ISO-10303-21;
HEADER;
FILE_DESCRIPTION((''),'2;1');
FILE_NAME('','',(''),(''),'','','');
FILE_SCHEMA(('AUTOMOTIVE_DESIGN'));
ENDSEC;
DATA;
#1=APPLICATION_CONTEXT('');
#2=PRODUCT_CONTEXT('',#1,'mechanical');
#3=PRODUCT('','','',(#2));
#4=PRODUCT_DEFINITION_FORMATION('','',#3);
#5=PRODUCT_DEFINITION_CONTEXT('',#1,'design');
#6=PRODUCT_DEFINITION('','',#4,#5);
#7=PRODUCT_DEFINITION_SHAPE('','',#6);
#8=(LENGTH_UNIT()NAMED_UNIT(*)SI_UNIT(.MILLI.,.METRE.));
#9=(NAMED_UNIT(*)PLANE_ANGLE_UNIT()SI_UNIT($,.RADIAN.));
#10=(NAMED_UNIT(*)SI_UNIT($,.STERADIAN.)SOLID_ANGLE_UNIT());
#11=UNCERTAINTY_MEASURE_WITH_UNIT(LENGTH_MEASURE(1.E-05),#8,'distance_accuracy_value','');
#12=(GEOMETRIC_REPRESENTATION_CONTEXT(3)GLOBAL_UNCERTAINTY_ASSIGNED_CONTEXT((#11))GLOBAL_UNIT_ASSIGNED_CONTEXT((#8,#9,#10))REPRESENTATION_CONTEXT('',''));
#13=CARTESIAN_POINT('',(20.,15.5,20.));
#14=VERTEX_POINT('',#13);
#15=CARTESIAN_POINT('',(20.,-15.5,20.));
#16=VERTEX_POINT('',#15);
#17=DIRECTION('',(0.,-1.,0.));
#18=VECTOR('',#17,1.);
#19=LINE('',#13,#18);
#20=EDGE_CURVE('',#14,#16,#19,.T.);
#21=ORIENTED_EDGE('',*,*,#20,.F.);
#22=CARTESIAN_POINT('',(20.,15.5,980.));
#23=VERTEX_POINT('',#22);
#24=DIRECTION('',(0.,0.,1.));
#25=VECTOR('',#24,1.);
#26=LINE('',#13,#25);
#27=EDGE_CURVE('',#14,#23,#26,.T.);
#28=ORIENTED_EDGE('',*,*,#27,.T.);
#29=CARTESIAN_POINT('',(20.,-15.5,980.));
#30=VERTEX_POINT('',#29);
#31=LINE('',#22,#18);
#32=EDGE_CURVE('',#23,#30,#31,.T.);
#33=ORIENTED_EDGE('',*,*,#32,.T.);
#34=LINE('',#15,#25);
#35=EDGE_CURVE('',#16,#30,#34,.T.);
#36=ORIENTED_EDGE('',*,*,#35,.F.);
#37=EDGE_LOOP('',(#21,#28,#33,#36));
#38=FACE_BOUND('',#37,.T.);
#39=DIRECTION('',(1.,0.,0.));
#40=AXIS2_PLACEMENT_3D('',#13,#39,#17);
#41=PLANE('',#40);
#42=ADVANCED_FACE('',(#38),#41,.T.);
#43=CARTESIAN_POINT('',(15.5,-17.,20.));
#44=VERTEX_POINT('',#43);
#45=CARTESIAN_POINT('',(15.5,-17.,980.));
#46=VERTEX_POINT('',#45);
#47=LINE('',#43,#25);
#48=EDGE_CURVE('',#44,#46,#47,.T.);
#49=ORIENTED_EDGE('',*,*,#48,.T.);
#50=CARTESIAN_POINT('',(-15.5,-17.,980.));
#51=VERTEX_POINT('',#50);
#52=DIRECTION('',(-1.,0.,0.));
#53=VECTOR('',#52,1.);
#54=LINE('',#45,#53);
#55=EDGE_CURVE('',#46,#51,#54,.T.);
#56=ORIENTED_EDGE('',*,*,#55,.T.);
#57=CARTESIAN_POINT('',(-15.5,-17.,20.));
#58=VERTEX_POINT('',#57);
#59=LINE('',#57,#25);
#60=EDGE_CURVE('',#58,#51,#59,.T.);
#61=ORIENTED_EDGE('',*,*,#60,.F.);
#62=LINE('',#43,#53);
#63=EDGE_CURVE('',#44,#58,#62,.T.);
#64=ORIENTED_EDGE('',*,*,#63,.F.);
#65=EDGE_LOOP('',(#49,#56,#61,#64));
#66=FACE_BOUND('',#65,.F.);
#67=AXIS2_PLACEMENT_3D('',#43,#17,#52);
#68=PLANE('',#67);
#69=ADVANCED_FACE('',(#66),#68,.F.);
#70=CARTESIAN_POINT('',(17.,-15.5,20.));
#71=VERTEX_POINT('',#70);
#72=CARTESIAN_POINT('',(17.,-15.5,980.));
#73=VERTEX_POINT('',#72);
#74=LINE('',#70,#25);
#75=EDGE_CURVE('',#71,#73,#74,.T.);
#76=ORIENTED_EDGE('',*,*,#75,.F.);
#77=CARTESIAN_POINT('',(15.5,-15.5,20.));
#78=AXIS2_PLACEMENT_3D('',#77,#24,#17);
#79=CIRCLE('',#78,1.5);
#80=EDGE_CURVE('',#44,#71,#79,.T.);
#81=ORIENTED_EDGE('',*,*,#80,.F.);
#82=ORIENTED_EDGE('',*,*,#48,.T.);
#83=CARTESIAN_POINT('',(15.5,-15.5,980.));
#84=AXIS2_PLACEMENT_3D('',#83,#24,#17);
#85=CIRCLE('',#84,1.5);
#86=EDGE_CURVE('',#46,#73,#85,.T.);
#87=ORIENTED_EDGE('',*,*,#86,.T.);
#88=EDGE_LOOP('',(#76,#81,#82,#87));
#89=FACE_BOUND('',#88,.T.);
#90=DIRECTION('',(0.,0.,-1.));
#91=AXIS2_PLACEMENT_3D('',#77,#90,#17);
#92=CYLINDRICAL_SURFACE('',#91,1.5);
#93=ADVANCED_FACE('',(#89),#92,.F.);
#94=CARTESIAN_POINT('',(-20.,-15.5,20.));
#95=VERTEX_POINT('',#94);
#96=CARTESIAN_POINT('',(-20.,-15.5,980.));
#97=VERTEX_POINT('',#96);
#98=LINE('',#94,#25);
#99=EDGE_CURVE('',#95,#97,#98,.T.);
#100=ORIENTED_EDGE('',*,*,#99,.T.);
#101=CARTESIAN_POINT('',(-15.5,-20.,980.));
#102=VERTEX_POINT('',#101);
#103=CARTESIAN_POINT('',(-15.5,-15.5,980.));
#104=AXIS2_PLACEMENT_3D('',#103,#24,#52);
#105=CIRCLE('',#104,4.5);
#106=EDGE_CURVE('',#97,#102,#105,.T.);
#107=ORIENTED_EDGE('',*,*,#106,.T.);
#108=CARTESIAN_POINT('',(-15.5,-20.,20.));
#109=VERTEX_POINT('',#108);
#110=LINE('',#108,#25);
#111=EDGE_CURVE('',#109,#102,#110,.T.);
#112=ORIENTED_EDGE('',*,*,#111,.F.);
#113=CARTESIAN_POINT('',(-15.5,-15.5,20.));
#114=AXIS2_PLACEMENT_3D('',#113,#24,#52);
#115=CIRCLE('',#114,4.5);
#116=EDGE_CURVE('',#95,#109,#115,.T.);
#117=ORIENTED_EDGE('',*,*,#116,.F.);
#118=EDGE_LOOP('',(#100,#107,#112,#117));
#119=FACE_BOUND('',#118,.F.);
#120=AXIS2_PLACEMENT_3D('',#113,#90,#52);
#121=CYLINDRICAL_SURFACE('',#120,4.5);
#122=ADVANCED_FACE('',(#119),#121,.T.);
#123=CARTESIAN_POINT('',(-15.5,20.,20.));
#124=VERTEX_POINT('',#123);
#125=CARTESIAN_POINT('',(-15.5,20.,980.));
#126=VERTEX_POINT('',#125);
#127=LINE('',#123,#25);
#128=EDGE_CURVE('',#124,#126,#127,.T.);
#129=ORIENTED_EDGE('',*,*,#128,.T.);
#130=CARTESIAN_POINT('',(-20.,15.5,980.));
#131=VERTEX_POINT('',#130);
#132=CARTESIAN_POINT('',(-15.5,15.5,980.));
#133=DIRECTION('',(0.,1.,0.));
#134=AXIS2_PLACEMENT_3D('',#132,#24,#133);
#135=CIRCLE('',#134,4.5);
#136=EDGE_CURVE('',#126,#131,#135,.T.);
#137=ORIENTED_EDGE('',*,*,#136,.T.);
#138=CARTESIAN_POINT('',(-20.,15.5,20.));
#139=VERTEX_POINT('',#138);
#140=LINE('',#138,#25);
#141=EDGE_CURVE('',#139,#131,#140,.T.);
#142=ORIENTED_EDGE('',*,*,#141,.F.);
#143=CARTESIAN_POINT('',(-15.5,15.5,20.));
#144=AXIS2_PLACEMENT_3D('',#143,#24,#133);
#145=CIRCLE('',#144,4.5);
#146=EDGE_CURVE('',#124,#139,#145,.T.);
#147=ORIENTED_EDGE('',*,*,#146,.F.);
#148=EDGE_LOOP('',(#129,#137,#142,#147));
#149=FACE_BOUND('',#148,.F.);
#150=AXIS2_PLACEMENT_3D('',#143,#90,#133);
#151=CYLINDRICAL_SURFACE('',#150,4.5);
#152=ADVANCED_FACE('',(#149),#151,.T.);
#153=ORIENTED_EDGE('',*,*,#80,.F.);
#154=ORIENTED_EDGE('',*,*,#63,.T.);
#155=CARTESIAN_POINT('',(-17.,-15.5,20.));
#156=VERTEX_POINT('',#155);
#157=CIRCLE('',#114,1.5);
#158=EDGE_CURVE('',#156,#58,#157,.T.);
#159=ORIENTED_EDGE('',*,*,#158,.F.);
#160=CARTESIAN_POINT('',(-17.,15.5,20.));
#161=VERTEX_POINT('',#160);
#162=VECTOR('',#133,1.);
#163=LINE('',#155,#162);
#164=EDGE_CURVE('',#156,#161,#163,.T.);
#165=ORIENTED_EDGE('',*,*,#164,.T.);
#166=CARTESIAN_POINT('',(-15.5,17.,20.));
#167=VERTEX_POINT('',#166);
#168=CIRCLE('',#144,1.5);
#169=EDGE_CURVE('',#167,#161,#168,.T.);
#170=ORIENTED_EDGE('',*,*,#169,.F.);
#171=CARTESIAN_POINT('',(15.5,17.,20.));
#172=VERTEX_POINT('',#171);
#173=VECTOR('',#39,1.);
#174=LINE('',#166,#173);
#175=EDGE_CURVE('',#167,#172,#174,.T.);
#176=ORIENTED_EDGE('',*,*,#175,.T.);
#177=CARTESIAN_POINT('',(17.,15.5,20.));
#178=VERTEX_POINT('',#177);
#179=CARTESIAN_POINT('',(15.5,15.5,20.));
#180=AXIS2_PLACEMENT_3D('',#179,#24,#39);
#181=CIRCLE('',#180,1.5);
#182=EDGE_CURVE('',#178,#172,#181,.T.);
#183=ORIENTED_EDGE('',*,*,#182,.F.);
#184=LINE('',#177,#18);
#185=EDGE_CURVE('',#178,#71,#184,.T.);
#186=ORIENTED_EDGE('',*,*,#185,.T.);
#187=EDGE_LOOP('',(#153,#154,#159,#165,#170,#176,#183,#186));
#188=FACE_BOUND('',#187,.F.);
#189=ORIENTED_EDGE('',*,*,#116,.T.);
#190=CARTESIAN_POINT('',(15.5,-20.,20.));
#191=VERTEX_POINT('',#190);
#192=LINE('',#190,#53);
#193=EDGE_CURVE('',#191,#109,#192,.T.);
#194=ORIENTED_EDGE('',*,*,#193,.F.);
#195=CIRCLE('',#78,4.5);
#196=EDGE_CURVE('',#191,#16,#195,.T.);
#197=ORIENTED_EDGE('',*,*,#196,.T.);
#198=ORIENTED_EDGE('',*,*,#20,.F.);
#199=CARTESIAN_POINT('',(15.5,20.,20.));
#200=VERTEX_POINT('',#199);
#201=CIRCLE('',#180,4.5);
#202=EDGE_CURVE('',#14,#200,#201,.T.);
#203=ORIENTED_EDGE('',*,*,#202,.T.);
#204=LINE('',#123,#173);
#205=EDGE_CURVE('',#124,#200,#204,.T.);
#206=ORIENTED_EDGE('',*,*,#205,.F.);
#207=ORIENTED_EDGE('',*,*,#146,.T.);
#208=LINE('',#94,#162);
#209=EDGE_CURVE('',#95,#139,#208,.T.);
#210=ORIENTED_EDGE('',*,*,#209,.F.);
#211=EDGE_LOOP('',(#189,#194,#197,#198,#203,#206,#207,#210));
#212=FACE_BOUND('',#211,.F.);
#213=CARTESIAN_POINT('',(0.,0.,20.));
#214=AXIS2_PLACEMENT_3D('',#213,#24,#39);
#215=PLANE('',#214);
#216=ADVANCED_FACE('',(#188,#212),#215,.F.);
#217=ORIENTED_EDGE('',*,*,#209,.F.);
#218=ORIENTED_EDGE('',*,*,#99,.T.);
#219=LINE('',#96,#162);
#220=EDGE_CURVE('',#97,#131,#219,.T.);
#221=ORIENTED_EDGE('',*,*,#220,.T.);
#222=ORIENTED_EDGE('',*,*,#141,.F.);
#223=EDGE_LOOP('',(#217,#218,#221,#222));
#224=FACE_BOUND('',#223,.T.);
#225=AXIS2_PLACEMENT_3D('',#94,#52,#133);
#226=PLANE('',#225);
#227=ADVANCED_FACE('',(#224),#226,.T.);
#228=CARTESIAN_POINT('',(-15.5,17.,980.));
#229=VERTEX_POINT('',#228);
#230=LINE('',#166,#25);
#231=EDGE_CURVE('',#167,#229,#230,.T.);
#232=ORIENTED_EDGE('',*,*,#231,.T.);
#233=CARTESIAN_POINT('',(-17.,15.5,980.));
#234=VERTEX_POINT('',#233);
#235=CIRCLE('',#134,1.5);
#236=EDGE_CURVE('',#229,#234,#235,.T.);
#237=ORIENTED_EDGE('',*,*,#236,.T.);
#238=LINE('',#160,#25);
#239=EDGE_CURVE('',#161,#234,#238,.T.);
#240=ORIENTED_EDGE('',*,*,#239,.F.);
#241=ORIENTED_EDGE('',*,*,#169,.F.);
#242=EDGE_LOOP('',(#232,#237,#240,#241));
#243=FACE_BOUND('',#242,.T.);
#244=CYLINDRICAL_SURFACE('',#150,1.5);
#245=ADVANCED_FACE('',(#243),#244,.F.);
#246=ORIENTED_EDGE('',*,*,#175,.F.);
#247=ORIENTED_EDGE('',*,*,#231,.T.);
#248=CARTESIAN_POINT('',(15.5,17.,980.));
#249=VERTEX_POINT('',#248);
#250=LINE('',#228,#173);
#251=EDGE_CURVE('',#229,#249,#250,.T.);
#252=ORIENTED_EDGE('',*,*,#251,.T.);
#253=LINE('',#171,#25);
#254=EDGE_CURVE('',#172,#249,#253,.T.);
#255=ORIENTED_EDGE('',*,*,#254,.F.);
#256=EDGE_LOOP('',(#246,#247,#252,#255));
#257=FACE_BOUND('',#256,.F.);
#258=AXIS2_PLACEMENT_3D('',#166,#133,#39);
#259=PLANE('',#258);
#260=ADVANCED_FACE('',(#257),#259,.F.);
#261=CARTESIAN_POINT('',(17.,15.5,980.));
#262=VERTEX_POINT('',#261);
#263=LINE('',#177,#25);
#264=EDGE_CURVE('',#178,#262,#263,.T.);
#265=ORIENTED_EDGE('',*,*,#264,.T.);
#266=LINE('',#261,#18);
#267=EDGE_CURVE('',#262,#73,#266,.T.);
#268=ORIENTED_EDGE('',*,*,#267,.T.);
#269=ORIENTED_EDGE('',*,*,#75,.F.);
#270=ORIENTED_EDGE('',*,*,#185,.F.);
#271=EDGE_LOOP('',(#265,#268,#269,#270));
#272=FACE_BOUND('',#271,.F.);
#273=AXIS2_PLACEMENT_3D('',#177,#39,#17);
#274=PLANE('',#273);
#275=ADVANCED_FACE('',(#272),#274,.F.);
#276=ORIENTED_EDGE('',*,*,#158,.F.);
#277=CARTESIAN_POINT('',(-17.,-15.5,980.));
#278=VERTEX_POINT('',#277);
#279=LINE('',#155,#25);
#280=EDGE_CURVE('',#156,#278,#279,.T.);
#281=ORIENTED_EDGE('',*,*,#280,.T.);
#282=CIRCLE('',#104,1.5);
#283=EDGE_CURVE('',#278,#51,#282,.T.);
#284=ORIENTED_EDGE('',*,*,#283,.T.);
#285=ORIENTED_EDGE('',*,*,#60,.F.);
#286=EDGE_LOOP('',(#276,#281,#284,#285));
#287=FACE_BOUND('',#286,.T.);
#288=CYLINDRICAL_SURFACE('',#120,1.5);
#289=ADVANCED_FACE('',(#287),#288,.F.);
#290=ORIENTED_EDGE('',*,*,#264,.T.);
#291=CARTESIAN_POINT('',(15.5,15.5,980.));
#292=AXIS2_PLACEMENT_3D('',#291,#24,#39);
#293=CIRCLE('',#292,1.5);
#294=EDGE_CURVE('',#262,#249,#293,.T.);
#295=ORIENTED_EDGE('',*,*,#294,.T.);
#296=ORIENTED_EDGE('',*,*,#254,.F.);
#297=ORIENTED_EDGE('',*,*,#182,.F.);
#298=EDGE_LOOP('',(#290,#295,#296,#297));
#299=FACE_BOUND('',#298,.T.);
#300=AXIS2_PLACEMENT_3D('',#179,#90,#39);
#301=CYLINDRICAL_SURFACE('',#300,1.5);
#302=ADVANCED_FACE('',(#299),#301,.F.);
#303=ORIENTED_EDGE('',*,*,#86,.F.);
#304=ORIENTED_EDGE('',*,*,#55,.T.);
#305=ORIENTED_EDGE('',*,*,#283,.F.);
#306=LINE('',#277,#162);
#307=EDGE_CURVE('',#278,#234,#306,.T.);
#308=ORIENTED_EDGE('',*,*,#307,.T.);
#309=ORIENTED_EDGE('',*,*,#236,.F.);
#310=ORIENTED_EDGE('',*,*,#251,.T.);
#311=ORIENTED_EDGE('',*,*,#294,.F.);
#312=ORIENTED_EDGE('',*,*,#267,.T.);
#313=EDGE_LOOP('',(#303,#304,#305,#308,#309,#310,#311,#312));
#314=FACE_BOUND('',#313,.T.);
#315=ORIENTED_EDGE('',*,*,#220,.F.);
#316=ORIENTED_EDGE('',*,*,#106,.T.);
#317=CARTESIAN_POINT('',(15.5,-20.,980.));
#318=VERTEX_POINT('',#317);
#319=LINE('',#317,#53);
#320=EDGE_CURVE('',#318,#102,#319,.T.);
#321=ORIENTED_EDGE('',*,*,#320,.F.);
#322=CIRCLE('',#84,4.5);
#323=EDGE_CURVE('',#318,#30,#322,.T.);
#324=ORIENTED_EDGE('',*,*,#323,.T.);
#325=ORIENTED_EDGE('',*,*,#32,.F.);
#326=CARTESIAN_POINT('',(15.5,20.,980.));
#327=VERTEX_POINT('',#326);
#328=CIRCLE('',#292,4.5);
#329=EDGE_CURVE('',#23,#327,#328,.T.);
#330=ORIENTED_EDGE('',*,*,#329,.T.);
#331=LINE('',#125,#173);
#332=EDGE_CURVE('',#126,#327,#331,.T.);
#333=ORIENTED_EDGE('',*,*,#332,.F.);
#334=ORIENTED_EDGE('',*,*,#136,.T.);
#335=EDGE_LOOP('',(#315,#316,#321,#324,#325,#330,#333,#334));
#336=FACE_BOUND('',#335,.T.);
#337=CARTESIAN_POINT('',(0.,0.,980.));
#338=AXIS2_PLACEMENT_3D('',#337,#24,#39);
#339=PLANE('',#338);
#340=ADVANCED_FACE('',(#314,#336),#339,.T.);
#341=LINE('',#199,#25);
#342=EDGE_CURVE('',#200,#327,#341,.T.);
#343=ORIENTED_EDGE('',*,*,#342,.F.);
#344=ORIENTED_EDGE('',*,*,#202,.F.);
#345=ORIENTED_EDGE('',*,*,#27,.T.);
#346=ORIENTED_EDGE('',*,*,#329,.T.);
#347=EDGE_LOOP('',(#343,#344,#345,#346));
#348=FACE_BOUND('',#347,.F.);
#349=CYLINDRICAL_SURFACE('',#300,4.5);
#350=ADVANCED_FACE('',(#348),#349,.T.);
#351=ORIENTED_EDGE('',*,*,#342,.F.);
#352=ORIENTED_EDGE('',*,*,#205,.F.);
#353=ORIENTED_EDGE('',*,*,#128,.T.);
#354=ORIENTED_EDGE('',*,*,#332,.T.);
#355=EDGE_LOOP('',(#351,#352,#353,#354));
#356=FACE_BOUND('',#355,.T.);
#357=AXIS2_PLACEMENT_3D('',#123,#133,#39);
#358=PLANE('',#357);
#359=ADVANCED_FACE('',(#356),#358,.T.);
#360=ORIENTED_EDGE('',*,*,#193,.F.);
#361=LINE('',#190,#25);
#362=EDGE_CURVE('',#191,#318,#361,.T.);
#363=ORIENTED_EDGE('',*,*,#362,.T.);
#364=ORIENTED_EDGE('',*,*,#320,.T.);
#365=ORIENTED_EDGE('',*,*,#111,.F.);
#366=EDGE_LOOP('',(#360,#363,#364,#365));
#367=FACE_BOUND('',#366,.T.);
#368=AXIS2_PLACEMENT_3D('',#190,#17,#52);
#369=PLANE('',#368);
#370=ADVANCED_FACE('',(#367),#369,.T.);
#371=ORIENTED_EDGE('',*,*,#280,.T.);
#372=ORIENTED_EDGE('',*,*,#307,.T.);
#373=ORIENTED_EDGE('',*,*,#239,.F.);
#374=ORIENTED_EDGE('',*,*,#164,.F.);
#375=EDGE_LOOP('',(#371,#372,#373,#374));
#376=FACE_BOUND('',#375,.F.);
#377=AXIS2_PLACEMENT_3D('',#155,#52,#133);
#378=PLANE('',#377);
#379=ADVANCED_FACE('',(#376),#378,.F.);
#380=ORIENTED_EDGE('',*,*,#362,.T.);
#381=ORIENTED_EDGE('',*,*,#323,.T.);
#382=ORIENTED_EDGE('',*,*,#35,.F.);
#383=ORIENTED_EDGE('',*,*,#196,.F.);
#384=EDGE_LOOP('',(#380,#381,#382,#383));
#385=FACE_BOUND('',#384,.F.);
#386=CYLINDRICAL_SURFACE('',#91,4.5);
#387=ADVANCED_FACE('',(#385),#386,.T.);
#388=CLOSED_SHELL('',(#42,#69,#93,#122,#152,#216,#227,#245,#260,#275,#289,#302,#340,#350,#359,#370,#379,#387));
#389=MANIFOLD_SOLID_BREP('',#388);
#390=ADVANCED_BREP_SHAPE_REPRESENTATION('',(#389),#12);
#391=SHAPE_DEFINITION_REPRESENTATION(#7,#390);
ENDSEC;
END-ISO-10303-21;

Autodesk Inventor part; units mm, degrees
ref_plane "Start Plane" through (0, 0, 20) normal (0, 0, 1) x (1, 0, 0)
ref_plane "End Plane" through (0, 0, 980) normal (0, 0, 1) x (1, 0, 0)
sketch "Sketch" plane through (0, 0, 0) normal (0, 0, 1) x (1, 0, 0)
  line L0 (-20, -15.5) -> (-20, 15.5)
  line L1 (-15.5, 20) -> (15.5, 20)
  line L2 (20, 15.5) -> (20, -15.5)
  line L3 (15.5, -20) -> (-15.5, -20)
  arc A0 (-20, -15.5) -> (-15.5, -20) centre (-15.5, -15.5) ccw
  arc A1 (-15.5, 20) -> (-20, 15.5) centre (-15.5, 15.5) ccw
  arc A2 (20, 15.5) -> (15.5, 20) centre (15.5, 15.5) ccw
  arc A3 (15.5, -20) -> (20, -15.5) centre (15.5, -15.5) ccw
  arc A4 (-15.5, 17) -> (-17, 15.5) centre (-15.5, 15.5) ccw
  line L4 (-15.5, 17) -> (15.5, 17)
  arc A5 (17, 15.5) -> (15.5, 17) centre (15.5, 15.5) ccw
  line L5 (17, 15.5) -> (17, -15.5)
  arc A6 (15.5, -17) -> (17, -15.5) centre (15.5, -15.5) ccw
  line L6 (15.5, -17) -> (-15.5, -17)
  arc A7 (-17, -15.5) -> (-15.5, -17) centre (-15.5, -15.5) ccw
  line L7 (-17, -15.5) -> (-17, 15.5)
  line L8 (0, 29.3048) -> (0, -29.3048) construction
  line L9 (-29.3048, 0) -> (29.3048, 0) construction
  dimension "d7" = 4.5
  dimension "d10" = 40
  dimension "d11" = 40
  dimension "d12" = 3
  dimension "d15" = 20
  dimension "d16" = 20
extrude "Body" add sketch "Sketch" along normal up to surface (960 mm away) from surface at 20
sketch "Sketch3" plane through (0, 0, 0) normal (0, 0, 1) x (1, 0, 0)
  line L0 (0, 0) -> (10, 0)
ref_plane "Work Plane3" through (0, 0, 0) normal (0, -1, 0) x (1, 0, 0)
ref_plane "Work Plane4" through (-15.5, -640, 980) normal (0, 0, 1) x (1, 0, 0)
split "Split1" plane through (-15.5, -640, 980) removes the side toward (0, 0, 1)
ref_plane "Work Plane5" through (15.5, -640, 20) normal (0, 0, -1) x (-1, 0, 0)
split "Split2" plane through (15.5, -640, 20) removes the side toward (0, 0, -1)
sketch "Sketch4" plane through (0, 0, 0) normal (0, -1, 0) x (1, 0, 0)
  line L0 (-2, 20) -> (12, 20) projected
  line L1 (-2, 980) -> (12, 980) projected
  dimension "d18" = 960
equation "\"d7\" = G_IR"
equation "\"d10\" = G_H"
equation "\"d11\" = G_W"
equation "\"d12\" = G_T"
equation "\"d15\" = 0.5 * d10"
equation "\"d16\" = 0.5 * d11"
equation "\"d3\" = G_L"
equation "\"G_W\" = 40"
equation "\"G_H\" = 40"
equation "\"G_T\" = 3"
equation "\"G_IR\" = 4.5"
equation "\"G_L\" = d18"
properties part number "ISO 12633-2 - 40x40x3 - 960" material "Steel, Mild"
